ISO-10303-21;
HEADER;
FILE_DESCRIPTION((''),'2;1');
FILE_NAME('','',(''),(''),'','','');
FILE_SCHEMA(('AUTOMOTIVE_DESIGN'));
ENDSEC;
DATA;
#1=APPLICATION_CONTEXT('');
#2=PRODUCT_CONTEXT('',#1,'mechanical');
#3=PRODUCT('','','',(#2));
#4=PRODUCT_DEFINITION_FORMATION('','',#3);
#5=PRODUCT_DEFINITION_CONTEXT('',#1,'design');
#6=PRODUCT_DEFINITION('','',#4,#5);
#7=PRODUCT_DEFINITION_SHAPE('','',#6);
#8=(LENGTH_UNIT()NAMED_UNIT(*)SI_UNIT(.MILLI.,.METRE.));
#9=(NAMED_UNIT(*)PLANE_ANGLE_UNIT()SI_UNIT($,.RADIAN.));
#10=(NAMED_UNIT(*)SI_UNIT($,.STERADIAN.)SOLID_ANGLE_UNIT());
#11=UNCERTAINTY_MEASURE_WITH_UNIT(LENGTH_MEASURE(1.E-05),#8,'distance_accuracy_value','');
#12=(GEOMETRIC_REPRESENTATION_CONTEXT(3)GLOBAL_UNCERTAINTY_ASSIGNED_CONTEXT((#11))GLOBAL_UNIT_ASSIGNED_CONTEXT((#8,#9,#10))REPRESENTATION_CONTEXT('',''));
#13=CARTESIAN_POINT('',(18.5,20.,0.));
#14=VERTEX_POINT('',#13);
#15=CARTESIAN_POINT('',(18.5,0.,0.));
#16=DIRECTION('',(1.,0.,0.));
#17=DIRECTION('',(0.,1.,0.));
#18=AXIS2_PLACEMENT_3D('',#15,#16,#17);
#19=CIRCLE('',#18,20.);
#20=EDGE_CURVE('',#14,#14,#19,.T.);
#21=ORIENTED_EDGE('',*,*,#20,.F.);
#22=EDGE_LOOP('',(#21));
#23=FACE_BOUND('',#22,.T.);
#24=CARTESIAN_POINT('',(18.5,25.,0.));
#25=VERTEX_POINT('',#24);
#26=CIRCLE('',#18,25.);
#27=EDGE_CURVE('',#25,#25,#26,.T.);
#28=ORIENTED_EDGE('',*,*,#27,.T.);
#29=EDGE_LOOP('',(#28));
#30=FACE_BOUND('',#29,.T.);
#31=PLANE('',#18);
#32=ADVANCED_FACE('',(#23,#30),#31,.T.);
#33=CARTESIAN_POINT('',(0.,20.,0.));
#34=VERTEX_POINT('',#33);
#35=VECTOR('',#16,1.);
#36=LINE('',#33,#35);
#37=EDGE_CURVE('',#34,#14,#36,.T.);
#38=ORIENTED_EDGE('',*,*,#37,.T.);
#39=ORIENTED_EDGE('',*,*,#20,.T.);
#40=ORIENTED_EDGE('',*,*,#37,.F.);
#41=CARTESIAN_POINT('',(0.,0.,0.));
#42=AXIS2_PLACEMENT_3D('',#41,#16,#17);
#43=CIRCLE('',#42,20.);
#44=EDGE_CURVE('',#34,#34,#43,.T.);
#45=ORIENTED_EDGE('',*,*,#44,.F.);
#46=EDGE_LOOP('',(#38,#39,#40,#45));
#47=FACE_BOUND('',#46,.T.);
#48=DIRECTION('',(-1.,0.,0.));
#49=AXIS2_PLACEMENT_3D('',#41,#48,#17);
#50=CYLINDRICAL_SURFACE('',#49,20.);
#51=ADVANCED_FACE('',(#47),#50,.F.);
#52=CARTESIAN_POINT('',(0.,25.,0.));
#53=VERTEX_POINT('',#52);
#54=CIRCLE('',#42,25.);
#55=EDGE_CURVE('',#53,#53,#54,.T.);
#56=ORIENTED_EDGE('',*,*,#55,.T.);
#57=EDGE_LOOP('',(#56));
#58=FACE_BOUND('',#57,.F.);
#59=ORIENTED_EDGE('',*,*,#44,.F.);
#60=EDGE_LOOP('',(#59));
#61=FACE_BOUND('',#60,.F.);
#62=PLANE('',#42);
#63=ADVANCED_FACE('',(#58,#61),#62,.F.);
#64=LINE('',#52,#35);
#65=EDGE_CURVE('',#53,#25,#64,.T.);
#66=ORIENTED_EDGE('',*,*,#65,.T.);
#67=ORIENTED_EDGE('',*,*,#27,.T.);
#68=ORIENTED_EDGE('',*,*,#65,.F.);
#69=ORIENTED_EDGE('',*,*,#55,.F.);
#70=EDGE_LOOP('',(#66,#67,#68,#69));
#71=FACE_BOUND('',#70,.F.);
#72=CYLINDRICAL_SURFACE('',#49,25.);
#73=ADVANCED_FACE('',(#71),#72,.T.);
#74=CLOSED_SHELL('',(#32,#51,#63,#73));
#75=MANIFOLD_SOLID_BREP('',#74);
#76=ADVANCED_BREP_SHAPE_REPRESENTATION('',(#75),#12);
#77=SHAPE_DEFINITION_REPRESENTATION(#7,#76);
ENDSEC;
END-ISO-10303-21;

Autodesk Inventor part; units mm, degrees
ref_plane "YZ Plane" through (0, 0, 0) normal (1, 0, 0) x (0, 1, 0)
ref_plane "XZ Plane" through (0, 0, 0) normal (0, 1, 0) x (-1, 0, 0)
ref_plane "XY Plane" through (0, 0, 0) normal (0, 0, 1) x (1, 0, 0)
sketch "Sketch1" plane through (0, 0, 0) normal (1, 0, 0) x (0, 1, 0)
  circle A0 centre (0, 0) radius 20
  circle A1 centre (0, 0) radius 25
  dimension "d0" = 40
  dimension "d1" = 50
extrude "Extrusion1" add sketch "Sketch1" along normal blind 18.5
equation "\"BendRadius\" = Thickness"
equation "\"BendReliefWidth\" = Thickness"
equation "\"BendReliefDepth\" = 0.5 * Thickness"
equation "\"CornerReliefSize\" = 4 * Thickness"
equation "\"MinimumRemnant\" = 2 * Thickness"
equation "\"TransitionRadius\" = BendRadius"
equation "\"JacobiRadiusSize\" = BendRadius"
equation "\"GapSize\" = Thickness"
equation "\"Thickness\" = 0.5"
properties part number "apostaths" material "Iron, Gray"
